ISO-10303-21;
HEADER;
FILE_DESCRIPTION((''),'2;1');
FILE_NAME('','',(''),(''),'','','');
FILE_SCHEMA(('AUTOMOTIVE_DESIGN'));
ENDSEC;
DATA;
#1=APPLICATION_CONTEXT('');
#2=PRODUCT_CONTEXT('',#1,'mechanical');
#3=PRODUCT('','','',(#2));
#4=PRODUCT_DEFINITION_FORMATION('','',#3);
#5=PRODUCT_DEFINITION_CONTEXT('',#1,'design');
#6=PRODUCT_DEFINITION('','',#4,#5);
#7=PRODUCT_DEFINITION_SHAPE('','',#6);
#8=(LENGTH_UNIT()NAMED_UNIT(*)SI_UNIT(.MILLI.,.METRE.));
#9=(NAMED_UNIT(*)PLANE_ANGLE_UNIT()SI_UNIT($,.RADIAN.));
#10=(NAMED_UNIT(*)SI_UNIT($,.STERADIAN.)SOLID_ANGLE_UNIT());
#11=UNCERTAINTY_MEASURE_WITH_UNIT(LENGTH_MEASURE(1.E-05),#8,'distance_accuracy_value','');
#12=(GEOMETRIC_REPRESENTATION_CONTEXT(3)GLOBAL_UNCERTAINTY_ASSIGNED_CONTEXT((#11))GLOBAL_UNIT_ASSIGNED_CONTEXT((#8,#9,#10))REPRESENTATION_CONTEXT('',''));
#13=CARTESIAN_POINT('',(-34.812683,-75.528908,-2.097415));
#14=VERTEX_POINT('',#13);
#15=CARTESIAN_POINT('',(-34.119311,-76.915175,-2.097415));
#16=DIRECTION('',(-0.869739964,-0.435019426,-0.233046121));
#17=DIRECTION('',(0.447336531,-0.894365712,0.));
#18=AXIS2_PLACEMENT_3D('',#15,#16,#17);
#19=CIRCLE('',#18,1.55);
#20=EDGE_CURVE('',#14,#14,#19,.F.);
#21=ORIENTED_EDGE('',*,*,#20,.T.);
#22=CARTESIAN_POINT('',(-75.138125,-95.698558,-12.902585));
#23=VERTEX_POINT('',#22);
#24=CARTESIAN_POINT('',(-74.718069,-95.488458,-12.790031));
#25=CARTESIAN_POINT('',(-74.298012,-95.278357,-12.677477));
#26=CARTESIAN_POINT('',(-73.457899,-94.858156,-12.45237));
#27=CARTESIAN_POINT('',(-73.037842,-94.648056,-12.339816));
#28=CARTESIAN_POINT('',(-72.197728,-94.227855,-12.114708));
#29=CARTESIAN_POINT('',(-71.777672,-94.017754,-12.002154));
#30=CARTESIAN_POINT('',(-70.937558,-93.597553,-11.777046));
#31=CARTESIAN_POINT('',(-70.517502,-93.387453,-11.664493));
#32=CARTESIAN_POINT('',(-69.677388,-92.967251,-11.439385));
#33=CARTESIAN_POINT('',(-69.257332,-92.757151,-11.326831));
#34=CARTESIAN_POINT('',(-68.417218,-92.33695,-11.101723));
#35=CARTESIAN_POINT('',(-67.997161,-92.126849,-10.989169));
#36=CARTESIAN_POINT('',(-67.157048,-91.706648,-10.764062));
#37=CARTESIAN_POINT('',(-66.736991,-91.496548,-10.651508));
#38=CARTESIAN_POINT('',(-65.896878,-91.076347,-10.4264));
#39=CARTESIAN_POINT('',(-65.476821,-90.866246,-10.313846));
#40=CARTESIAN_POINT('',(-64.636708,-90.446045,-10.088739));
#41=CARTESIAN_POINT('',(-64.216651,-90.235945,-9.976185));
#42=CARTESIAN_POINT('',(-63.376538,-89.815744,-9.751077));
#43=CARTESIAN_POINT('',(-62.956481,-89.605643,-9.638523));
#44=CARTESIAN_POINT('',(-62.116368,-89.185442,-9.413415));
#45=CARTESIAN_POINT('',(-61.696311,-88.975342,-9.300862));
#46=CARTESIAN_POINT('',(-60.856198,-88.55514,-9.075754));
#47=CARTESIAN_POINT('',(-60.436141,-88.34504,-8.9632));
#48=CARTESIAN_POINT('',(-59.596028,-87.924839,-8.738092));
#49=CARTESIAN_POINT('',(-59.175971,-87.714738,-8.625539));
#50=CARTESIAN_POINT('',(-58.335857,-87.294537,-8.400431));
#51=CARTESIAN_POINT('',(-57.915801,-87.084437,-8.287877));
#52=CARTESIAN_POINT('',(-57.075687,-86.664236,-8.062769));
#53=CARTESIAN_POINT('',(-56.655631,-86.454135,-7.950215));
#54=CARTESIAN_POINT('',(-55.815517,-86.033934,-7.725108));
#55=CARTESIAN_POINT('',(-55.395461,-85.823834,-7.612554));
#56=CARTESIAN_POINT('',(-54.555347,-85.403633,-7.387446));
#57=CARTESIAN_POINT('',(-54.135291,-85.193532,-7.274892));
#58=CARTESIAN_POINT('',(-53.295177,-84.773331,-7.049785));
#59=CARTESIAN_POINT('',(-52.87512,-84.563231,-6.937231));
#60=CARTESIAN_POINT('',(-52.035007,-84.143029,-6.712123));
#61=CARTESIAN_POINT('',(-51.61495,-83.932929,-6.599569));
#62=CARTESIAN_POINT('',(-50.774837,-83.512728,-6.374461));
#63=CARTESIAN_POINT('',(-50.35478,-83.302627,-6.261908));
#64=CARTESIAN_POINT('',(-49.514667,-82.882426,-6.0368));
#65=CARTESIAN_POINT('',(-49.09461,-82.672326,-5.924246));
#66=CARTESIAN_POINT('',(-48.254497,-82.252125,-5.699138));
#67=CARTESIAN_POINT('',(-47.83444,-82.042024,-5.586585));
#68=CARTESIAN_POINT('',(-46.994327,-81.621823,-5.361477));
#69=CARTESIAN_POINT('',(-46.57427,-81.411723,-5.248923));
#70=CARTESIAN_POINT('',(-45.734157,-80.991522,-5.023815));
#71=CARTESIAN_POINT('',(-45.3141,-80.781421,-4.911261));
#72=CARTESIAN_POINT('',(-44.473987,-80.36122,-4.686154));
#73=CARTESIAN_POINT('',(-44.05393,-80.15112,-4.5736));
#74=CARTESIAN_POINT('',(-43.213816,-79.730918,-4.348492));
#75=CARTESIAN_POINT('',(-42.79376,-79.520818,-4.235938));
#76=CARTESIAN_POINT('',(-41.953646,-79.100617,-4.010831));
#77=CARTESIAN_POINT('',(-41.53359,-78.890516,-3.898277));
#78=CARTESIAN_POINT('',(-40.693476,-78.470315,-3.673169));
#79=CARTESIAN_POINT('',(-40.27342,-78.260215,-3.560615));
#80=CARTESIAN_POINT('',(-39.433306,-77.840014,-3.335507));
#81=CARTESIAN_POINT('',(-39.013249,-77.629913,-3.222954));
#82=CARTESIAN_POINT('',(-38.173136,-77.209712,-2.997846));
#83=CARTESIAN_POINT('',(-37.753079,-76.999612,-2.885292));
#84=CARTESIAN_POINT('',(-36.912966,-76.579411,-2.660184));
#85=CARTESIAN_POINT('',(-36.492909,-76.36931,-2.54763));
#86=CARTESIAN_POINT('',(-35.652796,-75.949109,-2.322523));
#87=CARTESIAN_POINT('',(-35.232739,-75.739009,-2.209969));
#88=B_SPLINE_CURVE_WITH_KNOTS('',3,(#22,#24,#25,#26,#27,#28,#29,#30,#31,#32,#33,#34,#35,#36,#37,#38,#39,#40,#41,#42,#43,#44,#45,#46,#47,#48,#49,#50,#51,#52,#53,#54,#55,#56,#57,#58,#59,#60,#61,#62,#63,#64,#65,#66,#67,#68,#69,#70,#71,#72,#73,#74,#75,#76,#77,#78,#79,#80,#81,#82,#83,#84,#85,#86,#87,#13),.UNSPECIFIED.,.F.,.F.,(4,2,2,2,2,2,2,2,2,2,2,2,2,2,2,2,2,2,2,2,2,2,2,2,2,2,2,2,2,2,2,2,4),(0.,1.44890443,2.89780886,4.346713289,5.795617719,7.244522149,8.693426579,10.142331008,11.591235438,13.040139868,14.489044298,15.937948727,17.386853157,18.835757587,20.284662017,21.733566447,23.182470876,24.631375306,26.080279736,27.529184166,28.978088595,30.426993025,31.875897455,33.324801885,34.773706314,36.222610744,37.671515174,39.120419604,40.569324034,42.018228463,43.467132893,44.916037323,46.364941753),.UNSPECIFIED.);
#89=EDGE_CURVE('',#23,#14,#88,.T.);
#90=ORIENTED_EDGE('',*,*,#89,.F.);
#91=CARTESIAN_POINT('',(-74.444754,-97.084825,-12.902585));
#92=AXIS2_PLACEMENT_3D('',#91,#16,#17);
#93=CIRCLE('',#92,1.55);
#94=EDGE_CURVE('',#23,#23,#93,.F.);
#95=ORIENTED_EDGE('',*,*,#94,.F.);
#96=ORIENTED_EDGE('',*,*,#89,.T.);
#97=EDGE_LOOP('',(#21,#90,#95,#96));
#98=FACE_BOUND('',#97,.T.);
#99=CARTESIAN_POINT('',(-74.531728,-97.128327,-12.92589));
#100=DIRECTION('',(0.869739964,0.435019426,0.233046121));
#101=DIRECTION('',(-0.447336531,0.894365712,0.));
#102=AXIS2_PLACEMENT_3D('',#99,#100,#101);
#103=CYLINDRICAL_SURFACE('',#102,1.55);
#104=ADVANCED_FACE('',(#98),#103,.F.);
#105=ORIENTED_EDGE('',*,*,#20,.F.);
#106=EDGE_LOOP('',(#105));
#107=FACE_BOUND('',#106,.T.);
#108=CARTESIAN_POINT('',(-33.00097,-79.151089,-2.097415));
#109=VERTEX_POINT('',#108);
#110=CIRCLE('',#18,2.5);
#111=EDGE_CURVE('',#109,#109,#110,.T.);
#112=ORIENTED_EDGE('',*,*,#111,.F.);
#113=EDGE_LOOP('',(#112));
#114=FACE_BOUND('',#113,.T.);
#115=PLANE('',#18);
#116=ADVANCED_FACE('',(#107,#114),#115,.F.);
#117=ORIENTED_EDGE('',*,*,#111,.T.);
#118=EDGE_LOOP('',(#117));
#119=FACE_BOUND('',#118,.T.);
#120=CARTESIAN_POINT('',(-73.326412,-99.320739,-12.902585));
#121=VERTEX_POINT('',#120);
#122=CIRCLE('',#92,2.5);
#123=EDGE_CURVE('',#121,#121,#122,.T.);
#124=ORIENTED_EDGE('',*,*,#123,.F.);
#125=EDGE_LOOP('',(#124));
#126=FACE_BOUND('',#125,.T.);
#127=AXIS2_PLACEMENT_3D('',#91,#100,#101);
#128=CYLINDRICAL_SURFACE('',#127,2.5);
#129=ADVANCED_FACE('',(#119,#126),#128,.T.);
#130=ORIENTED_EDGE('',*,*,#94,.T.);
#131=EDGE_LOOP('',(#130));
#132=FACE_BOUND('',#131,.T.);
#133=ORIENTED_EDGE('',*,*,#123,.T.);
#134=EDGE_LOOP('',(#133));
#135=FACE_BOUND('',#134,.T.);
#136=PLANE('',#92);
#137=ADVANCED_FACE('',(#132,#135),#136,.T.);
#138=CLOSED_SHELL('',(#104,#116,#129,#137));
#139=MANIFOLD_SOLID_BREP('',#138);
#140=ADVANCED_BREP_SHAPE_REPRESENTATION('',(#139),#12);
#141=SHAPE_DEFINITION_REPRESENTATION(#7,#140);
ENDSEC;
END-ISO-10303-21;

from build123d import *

# Parameters (mm, degrees)
SLIDING_SLEEVE_OUTSIDE_SKETCH_R = 2.5
SLIDING_SLEEVE_OUTSIDE_DEPTH    = 46.364941753
SLIDING_SLEEVE_BORE_SKETCH_R    = 1.55
SLIDING_SLEEVE_BORE_DEPTH       = 46.564941753


with BuildPart() as part:
    # Sliding sleeve outside sketch → Sliding sleeve outside (new body)
    with BuildSketch(Plane(origin=(-55.335742198, -27.677379212, -14.827167434), x_dir=(-0.20842845999452608, -0.1042500434014437, 0.9724656834640014), z_dir=(-0.8697399638531155, -0.43501942576382596, -0.23304612093938112))):
        with Locations(Location((13.090181548, -53.527480937, 0), (0, 0, 270))):
            Circle(SLIDING_SLEEVE_OUTSIDE_SKETCH_R)
    extrude(amount=SLIDING_SLEEVE_OUTSIDE_DEPTH)

    # Sliding sleeve bore sketch → Sliding sleeve bore (cut)
    with BuildSketch(Plane(origin=(-55.248768201, -27.633877269, -14.803862822), x_dir=(-0.20842845999452578, -0.10425004340144366, 0.9724656834640014), z_dir=(-0.8697399638531152, -0.43501942576382663, -0.23304612093938087))):
        with Locations(Location((13.090181548, -53.527480937, 0), (0, 0, 90))):
            Circle(SLIDING_SLEEVE_BORE_SKETCH_R)
    extrude(amount=SLIDING_SLEEVE_BORE_DEPTH, mode=Mode.SUBTRACT)


solid = part.part
